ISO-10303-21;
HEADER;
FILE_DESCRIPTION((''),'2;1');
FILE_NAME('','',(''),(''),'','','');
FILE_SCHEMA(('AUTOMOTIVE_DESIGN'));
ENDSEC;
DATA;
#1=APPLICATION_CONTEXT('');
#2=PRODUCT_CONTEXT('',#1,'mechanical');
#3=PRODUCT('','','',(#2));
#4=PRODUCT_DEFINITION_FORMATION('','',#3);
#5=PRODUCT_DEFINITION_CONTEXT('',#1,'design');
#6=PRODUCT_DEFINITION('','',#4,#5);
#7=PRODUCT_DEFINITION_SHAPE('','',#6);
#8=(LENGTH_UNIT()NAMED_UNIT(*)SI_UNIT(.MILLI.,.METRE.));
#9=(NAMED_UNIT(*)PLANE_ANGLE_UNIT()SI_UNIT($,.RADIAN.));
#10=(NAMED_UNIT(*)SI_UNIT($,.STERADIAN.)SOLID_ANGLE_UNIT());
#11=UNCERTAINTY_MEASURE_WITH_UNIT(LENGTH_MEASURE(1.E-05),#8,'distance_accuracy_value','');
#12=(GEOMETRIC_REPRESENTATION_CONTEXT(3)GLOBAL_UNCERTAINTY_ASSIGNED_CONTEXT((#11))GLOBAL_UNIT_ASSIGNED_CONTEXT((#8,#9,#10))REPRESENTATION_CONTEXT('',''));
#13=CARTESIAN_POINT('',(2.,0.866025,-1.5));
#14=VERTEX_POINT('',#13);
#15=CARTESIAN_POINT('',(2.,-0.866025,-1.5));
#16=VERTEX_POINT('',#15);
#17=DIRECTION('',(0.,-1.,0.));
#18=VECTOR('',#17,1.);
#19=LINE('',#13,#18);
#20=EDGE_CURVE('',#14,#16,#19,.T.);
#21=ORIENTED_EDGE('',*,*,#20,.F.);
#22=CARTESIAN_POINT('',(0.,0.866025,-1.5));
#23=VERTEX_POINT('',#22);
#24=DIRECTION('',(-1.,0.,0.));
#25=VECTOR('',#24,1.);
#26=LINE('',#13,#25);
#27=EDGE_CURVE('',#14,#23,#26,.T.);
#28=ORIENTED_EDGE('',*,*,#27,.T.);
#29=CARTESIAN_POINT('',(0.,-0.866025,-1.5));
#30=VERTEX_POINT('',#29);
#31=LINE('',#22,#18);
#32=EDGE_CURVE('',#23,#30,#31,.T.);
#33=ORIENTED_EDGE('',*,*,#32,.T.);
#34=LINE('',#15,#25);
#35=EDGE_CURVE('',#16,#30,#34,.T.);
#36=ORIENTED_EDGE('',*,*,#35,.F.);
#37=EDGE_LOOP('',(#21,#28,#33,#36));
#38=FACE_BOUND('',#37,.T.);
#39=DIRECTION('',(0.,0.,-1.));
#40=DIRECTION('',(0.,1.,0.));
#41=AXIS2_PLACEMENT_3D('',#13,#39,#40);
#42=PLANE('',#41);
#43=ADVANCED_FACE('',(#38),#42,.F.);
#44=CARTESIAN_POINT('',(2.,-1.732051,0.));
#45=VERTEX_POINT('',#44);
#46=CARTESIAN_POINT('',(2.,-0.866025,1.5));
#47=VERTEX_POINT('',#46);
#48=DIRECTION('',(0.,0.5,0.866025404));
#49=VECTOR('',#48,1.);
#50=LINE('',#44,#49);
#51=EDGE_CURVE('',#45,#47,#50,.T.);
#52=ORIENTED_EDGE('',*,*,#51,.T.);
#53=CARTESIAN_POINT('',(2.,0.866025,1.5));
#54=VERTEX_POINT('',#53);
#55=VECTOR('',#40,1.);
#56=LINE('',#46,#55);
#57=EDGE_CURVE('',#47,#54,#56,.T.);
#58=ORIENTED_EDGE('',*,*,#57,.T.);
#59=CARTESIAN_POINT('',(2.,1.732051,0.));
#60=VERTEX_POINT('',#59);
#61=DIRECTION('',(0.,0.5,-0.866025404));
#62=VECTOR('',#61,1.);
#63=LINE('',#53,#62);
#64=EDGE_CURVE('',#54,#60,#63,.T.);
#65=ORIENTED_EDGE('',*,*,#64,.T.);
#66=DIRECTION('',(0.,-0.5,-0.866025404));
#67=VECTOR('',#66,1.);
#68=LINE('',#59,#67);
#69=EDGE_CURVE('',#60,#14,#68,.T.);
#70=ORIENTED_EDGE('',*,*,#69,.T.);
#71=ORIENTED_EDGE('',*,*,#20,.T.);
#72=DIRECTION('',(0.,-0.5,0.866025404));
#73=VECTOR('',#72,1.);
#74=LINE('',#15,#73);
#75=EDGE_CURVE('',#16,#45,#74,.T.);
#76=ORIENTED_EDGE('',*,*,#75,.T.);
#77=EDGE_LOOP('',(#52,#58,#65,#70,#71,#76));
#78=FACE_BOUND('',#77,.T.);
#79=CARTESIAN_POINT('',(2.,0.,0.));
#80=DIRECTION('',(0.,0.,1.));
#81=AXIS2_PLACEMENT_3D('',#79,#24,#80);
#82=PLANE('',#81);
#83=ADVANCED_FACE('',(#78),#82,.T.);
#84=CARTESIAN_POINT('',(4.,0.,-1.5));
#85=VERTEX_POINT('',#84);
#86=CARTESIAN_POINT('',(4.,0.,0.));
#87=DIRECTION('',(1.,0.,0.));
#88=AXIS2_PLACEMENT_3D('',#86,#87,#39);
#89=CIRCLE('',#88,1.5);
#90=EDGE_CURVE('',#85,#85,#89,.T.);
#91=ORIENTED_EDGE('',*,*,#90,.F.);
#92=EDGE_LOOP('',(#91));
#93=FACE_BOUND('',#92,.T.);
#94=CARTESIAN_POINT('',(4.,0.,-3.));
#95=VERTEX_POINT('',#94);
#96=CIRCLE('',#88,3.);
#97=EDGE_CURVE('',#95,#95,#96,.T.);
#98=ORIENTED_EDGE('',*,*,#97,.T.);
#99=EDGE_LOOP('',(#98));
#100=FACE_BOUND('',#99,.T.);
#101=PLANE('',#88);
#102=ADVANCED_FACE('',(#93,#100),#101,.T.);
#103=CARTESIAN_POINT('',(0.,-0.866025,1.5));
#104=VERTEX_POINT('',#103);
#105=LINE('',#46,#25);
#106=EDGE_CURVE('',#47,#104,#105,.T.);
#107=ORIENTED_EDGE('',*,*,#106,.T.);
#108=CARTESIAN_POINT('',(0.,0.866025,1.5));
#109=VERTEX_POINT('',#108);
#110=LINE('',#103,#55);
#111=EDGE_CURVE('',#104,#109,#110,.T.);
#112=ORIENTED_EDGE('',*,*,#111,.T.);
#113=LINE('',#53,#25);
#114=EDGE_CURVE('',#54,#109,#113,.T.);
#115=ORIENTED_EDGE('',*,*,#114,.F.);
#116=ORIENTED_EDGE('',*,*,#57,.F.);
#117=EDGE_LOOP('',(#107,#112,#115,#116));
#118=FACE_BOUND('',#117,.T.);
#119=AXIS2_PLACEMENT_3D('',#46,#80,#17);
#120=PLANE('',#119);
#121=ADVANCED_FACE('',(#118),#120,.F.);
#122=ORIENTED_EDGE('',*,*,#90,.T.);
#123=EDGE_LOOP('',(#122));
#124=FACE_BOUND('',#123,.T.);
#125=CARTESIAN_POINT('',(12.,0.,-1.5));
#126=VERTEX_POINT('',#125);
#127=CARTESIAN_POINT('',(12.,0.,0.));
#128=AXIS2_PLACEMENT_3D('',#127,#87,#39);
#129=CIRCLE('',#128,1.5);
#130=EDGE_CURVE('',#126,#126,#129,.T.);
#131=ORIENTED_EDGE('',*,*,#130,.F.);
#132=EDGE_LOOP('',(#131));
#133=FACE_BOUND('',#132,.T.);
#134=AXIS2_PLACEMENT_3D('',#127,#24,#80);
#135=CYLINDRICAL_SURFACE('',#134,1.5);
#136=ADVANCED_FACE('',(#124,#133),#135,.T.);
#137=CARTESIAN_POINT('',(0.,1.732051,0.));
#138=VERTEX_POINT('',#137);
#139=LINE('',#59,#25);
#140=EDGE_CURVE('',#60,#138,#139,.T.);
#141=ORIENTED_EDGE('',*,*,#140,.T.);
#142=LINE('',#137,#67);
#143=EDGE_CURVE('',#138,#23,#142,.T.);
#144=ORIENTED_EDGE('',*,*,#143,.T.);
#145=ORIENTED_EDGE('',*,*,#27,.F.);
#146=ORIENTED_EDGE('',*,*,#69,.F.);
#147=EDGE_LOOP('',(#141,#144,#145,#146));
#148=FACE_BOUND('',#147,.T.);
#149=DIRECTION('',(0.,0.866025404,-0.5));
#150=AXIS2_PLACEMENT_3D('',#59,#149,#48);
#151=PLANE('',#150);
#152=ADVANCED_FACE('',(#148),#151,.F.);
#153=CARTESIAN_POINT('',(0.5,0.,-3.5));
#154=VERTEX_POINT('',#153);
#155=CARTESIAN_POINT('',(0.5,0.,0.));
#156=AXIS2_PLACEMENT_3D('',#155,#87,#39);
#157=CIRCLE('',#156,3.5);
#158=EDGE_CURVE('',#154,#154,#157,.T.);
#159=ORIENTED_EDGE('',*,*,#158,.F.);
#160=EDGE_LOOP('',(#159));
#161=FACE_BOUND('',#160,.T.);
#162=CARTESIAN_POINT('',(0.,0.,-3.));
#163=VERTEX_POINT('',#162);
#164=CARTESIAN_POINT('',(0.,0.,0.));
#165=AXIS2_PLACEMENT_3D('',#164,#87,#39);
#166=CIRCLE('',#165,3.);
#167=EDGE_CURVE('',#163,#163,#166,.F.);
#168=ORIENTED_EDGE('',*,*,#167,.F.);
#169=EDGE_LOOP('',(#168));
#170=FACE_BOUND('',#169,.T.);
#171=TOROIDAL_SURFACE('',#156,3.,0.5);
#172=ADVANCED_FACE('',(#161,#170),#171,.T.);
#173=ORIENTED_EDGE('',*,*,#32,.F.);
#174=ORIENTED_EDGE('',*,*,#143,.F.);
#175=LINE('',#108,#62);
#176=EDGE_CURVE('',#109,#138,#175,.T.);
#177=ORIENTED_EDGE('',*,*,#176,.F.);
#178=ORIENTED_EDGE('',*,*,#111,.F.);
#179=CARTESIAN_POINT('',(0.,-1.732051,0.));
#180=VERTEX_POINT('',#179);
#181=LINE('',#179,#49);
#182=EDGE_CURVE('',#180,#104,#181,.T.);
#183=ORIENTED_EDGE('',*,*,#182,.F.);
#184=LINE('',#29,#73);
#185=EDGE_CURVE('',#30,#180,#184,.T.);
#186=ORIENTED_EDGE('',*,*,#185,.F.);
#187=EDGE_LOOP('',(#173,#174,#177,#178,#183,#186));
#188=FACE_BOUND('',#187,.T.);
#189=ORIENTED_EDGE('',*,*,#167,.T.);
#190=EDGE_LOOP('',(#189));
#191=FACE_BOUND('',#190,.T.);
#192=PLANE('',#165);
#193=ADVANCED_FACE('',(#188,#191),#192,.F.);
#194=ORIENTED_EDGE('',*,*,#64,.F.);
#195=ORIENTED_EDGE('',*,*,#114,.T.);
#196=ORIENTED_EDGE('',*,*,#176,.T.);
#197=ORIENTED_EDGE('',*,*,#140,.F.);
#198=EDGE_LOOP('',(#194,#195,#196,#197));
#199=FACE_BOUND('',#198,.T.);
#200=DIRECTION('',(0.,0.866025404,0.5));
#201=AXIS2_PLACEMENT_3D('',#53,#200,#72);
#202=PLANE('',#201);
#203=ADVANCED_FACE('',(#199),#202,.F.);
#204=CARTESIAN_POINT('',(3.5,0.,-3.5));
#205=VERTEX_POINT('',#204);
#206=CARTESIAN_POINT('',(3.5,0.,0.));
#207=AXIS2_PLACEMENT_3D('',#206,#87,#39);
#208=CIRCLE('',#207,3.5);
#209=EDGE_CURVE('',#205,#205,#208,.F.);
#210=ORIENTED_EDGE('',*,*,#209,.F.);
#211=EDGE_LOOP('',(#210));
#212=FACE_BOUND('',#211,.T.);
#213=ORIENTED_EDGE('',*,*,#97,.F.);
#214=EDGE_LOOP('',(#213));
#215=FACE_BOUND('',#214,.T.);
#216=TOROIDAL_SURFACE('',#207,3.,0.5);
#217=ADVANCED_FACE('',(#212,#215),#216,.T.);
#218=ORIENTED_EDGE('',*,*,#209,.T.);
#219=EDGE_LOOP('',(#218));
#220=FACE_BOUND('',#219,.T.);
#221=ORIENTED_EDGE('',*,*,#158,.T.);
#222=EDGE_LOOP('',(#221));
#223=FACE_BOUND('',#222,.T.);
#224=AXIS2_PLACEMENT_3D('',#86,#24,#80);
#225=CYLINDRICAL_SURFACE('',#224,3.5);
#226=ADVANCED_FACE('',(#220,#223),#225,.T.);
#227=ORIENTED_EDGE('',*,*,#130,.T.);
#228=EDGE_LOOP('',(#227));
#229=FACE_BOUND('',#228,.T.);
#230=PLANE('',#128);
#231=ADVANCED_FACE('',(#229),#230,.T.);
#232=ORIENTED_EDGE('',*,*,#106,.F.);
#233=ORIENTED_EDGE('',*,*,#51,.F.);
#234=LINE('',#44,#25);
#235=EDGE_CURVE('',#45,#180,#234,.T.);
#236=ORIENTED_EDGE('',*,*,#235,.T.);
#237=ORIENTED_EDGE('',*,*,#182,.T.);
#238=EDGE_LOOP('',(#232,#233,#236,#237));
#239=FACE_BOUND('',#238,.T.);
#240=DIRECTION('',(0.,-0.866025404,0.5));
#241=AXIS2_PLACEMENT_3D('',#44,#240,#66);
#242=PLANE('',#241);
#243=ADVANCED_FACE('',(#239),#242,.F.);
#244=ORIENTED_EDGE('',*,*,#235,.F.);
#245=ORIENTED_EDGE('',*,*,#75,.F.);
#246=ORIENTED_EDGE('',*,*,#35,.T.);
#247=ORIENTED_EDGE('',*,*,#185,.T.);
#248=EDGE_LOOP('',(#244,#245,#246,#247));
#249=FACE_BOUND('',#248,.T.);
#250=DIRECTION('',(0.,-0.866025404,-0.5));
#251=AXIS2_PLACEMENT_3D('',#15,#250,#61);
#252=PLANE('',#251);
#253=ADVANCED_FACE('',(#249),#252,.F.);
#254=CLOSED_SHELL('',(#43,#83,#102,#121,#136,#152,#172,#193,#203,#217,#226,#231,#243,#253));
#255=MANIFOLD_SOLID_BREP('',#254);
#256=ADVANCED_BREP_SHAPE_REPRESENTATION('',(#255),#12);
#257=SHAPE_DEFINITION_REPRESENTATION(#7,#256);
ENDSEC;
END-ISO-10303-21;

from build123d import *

# Parameters (mm, degrees)
SKETCH1_R           = 3.5
BOSS_EXTRUDE1_DEPTH = 4
SKETCH2_R           = 1.5
BOSS_EXTRUDE2_DEPTH = 8
CUT_EXTRUDE1_DEPTH  = 2
FILLET1_R           = 0.5


with BuildPart() as part:
    # Sketch1 → Boss-Extrude1 (new body)
    with BuildSketch(Plane(origin=(0, 0, 0), x_dir=(0, 0, -1), z_dir=(1, 0, 0))):
        Circle(SKETCH1_R)
    extrude(amount=BOSS_EXTRUDE1_DEPTH)

    # Sketch2 → Boss-Extrude2 (add)
    with BuildSketch(Plane(origin=(4, 0, 0), x_dir=(0, 0, -1), z_dir=(1, 0, 0))):
        Circle(SKETCH2_R)
    extrude(amount=BOSS_EXTRUDE2_DEPTH)

    # Sketch3 → Cut-Extrude1 (cut)
    with BuildSketch(Plane.ZY):
        Polygon((0, 1.732050808), (-1.5, 0.866025404), (-1.5, -0.866025404), (0, -1.732050808), (1.5, -0.866025404), (1.5, 0.866025404), align=None)
    extrude(amount=-CUT_EXTRUDE1_DEPTH, mode=Mode.SUBTRACT)

    # Fillet1
    fillet1_edges = [part.edges().sort_by_distance(p)[0] for p in [
        (0, 0, 3.5),
        (4, 0, 3.5),
    ]]
    fillet(fillet1_edges, radius=FILLET1_R)


solid = part.part
